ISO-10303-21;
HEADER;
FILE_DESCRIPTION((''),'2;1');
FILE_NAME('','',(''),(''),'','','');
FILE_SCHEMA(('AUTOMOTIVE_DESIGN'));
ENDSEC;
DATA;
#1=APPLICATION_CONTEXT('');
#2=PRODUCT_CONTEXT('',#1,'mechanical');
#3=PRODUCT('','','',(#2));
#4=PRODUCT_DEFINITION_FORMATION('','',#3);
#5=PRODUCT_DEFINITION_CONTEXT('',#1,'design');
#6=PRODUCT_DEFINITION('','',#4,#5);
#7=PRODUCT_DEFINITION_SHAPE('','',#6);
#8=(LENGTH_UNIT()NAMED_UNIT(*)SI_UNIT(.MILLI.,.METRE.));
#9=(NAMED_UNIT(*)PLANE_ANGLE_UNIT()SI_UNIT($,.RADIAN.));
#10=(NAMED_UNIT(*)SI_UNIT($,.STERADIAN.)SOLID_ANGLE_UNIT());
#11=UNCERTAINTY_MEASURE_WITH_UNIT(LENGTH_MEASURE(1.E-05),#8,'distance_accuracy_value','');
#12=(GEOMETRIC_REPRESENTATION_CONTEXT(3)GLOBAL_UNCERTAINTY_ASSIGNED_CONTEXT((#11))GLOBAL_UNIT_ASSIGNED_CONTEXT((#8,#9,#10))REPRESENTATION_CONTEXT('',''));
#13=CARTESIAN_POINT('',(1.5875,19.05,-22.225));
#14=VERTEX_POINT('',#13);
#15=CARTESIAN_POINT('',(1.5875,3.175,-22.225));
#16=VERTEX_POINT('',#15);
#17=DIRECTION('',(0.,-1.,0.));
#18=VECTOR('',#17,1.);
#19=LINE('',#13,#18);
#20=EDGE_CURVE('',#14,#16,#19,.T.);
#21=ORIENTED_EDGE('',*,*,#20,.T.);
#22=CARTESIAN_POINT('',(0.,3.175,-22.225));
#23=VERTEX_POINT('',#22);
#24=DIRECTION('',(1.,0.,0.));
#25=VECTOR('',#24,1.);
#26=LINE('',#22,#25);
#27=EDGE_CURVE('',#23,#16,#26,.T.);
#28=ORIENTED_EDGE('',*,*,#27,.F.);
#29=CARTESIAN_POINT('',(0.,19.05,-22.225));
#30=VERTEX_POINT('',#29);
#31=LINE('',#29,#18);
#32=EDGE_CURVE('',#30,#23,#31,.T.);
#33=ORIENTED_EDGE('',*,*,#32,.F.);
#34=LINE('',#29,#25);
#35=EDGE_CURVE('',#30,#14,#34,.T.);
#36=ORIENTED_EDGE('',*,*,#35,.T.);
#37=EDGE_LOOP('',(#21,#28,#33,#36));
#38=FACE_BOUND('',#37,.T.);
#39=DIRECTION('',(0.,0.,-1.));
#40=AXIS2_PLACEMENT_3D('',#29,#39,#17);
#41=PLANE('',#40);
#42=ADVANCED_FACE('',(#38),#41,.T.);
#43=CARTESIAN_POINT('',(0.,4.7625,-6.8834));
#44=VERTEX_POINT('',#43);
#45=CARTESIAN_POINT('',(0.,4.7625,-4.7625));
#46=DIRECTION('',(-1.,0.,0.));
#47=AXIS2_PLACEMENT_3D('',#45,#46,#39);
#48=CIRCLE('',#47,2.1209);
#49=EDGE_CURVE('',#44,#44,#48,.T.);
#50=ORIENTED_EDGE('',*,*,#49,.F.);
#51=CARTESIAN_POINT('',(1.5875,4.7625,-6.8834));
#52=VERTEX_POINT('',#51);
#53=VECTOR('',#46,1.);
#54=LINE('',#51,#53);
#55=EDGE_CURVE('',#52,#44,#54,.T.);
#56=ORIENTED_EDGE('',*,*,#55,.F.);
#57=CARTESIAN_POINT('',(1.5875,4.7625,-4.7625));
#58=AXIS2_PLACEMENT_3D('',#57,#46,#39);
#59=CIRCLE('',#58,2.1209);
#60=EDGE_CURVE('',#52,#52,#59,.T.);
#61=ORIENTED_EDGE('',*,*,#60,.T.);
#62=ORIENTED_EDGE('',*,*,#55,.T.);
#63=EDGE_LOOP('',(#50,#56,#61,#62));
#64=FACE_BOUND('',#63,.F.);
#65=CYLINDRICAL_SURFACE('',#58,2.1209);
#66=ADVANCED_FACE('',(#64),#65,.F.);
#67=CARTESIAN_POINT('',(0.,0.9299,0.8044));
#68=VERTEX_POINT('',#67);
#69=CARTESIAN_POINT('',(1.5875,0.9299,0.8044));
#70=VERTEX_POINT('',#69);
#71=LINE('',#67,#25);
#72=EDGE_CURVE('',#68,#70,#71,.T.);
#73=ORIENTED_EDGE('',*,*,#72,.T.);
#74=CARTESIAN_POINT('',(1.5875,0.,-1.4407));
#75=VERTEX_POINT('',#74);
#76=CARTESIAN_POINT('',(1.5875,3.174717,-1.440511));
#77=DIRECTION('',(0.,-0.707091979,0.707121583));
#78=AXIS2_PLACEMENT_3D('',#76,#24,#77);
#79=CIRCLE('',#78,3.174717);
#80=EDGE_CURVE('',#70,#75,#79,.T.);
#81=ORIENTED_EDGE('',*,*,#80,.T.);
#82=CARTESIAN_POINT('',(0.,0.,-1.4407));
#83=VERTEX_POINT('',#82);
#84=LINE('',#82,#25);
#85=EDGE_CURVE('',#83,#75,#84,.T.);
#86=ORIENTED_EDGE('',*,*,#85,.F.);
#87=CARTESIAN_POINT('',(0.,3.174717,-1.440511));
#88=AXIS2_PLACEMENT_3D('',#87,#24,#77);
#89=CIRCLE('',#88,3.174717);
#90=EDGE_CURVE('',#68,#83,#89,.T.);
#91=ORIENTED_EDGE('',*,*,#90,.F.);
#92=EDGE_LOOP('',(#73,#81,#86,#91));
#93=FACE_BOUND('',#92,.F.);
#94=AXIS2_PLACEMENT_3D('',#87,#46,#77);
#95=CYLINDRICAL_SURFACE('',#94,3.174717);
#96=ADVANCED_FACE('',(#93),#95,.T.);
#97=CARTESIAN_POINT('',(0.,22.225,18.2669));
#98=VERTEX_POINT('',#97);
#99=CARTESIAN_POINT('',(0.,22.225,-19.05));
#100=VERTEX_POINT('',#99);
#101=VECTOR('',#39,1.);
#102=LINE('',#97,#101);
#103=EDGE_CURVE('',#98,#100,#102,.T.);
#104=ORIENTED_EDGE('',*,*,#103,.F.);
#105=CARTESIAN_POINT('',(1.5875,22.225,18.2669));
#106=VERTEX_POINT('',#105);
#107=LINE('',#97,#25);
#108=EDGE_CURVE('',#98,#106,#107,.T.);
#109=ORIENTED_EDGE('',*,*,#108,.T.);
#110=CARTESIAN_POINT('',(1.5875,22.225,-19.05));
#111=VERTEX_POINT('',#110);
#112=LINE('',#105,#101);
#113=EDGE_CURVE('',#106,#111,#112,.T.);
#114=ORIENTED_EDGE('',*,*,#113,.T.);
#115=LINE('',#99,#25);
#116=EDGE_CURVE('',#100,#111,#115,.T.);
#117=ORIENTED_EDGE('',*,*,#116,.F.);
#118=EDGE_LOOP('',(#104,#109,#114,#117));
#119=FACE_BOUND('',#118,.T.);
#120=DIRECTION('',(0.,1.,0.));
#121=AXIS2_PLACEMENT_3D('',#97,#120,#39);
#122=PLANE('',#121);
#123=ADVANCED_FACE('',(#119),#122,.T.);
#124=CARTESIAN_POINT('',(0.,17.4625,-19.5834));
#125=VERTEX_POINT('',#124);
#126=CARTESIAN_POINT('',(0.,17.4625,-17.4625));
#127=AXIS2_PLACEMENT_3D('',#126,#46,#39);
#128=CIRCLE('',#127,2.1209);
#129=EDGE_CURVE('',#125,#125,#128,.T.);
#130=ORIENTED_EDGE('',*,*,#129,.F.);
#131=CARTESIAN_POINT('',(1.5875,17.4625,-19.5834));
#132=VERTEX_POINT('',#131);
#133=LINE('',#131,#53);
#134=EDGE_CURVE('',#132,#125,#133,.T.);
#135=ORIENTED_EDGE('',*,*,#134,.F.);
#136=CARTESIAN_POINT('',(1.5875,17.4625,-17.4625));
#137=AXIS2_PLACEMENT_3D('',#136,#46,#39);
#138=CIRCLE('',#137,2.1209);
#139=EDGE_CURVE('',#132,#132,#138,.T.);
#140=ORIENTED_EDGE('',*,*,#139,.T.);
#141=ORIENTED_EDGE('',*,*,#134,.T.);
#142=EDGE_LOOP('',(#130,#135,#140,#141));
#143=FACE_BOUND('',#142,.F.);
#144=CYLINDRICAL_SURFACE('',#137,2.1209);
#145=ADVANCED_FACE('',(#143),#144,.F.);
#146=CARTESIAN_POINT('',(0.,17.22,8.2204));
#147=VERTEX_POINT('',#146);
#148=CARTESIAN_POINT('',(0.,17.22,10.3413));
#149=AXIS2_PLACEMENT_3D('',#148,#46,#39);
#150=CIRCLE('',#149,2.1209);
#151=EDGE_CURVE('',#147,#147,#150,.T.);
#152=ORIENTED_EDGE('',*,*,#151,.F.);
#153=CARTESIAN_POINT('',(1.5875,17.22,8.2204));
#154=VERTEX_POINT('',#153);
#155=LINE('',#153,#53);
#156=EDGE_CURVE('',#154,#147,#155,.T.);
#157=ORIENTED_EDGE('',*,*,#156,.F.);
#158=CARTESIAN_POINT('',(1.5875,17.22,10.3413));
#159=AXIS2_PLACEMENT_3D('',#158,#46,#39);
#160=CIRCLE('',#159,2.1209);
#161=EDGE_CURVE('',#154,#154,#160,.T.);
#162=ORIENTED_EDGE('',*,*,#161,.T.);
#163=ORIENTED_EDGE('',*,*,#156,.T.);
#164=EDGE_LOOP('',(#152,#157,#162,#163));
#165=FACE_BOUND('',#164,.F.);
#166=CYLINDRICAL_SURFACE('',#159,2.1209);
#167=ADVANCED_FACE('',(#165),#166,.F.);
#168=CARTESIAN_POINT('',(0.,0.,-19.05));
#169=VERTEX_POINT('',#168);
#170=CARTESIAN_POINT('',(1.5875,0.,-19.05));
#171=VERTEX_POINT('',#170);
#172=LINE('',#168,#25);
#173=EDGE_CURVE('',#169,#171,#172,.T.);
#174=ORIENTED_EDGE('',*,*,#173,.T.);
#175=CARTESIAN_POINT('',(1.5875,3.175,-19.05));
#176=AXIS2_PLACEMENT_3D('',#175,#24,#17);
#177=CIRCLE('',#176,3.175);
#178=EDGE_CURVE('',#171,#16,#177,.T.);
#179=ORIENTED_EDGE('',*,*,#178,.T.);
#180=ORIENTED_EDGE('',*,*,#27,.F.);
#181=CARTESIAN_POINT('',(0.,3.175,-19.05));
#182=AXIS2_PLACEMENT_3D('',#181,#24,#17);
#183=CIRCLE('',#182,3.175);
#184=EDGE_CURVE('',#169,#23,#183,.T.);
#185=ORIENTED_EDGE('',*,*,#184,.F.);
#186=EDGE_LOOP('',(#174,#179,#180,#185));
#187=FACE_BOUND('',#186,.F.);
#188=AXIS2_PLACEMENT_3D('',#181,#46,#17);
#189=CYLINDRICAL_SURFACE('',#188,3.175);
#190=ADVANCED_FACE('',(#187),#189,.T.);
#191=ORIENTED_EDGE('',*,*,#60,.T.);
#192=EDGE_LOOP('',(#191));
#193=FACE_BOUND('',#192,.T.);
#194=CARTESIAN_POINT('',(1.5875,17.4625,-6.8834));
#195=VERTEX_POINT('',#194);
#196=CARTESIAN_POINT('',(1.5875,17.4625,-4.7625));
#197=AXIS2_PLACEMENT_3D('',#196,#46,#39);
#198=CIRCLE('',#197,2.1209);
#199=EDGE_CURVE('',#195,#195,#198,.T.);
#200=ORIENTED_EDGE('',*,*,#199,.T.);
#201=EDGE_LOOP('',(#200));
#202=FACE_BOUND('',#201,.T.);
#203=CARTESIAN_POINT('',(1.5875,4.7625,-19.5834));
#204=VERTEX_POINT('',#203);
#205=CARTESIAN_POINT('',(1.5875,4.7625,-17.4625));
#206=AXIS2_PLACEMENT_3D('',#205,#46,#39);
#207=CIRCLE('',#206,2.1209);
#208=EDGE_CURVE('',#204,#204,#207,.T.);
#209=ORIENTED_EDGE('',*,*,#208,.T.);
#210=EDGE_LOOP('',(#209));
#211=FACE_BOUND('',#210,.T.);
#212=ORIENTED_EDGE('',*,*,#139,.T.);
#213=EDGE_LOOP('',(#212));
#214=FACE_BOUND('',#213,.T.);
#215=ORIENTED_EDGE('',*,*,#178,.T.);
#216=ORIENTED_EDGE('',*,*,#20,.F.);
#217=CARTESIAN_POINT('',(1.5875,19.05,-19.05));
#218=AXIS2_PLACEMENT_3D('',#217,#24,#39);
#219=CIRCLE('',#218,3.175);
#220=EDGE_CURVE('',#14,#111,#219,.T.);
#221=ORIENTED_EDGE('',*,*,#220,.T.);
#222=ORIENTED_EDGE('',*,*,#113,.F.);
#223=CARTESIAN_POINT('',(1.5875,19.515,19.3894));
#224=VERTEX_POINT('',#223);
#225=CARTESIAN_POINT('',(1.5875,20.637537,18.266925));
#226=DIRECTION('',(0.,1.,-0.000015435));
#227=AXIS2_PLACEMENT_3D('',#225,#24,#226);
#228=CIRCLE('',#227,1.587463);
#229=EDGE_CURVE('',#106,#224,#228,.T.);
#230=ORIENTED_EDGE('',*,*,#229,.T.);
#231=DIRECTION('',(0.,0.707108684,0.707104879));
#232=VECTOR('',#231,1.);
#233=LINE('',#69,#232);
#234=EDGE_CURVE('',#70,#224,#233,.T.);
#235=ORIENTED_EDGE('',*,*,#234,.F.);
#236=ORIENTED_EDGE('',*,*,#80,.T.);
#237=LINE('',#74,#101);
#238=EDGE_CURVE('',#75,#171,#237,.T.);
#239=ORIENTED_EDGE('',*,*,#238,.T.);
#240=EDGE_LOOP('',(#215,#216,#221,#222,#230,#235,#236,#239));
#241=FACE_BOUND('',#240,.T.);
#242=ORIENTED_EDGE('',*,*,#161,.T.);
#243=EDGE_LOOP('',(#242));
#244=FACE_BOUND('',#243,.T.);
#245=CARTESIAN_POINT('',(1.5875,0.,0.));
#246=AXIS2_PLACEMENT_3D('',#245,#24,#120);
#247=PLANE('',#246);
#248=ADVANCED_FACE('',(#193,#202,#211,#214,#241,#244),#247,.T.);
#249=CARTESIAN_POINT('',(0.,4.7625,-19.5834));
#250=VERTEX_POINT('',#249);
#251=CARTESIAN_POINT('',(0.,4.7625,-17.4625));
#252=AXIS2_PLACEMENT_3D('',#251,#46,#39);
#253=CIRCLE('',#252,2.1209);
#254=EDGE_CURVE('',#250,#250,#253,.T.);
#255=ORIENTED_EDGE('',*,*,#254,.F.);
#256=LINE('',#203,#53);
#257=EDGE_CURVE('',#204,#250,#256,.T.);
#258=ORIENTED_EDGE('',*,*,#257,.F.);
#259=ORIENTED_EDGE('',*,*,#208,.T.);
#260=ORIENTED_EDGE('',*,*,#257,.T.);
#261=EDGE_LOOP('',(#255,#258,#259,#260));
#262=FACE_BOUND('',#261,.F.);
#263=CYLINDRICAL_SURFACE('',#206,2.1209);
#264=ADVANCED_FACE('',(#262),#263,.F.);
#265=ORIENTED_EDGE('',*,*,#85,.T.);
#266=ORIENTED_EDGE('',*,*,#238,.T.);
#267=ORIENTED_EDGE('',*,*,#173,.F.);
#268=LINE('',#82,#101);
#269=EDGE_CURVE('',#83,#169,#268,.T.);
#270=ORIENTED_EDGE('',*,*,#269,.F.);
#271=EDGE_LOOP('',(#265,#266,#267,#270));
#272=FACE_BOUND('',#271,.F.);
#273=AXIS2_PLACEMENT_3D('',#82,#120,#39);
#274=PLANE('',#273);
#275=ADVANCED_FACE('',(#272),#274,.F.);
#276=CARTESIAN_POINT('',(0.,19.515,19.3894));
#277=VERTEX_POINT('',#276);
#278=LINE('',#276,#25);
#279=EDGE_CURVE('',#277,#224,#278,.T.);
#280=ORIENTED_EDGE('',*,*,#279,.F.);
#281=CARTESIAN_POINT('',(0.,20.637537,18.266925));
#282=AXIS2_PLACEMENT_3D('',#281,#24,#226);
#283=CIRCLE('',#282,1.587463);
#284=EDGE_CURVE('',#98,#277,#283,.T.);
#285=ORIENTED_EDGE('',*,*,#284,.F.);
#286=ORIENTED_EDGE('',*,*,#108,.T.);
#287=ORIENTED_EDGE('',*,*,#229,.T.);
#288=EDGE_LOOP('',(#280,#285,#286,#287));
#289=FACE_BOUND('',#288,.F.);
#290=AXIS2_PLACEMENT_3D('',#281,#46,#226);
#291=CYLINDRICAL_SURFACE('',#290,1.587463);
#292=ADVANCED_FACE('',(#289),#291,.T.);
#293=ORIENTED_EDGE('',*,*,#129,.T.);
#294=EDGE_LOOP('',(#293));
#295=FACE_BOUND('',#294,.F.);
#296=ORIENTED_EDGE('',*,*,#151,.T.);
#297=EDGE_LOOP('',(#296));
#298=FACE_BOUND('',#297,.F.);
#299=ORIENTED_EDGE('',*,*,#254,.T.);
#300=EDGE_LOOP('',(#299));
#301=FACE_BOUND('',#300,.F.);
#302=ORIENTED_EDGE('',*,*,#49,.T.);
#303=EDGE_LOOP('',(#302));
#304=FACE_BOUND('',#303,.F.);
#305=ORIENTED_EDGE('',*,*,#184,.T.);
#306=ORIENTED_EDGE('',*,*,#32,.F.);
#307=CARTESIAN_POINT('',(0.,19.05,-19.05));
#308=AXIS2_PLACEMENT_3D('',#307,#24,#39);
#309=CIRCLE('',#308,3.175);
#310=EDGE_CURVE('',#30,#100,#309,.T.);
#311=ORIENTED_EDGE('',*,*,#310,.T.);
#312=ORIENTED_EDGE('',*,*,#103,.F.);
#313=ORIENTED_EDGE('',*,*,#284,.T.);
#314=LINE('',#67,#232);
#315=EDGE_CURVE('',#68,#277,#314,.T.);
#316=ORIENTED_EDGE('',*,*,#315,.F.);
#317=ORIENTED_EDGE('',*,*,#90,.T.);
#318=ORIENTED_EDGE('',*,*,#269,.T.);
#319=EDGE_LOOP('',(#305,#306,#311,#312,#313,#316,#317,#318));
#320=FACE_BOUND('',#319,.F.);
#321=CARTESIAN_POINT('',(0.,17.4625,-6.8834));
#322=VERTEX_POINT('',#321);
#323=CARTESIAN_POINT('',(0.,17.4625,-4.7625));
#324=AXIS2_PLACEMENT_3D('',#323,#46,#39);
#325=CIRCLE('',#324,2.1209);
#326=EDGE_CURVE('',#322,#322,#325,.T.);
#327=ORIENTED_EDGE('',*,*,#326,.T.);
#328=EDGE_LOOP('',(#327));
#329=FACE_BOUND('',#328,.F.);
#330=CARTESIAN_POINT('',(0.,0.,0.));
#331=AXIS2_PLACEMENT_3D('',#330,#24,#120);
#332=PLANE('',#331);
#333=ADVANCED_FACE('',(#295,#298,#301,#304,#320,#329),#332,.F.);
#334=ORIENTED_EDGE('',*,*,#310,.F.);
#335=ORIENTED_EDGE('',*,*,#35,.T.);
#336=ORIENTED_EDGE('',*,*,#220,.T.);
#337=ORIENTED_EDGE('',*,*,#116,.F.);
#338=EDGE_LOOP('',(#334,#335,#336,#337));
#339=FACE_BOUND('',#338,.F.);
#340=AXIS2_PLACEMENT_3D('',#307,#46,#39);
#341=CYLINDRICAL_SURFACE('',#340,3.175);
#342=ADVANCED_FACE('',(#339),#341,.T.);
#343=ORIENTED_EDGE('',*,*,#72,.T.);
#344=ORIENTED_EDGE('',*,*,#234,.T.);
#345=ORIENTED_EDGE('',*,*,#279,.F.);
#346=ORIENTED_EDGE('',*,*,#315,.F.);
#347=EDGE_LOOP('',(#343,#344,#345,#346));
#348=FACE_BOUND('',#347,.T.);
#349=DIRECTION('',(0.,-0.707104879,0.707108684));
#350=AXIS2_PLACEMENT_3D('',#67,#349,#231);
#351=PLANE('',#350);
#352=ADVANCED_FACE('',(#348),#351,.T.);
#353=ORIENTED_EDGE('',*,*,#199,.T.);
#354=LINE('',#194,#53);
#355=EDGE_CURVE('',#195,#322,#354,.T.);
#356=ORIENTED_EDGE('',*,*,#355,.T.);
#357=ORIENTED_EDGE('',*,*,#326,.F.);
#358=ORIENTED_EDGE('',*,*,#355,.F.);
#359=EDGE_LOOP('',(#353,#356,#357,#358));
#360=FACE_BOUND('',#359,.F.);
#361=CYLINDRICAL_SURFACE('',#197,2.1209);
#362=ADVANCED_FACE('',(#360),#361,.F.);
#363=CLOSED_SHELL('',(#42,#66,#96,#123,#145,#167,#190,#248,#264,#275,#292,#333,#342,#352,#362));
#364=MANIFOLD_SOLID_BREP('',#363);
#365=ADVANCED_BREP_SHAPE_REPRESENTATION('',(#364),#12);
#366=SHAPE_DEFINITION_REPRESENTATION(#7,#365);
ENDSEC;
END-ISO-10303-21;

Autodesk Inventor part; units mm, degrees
ref_plane "YZ Plane" through (0, 0, 0) normal (1, 0, 0) x (0, 1, 0)
ref_plane "XZ Plane" through (0, 0, 0) normal (0, 1, 0) x (-1, 0, 0)
ref_plane "XY Plane" through (0, 0, 0) normal (0, 0, 1) x (1, 0, 0)
sketch "Sketch1" plane through (0, 0, 0) normal (1, 0, 0) x (0, 1, 0)
  arc A0 (0, -19.05) -> (3.175, -22.225) centre (3.175, -19.05) ccw
  arc A1 (19.05, -22.225) -> (22.225, -19.05) centre (19.05, -19.05) ccw
  line L0 (0, -1.4407) -> (0, -19.05)
  line L1 (0.9299, 0.8044) -> (19.515, 19.3894)
  line L2 (22.225, 18.2669) -> (22.225, -19.05)
  line L3 (19.05, -22.225) -> (3.175, -22.225)
  arc A2 (22.225, 18.2669) -> (19.515, 19.3894) centre (20.6375, 18.2669) ccw
  arc A3 (0.9299, 0.8044) -> (0, -1.4407) centre (3.175, -1.4407) ccw
  point P0 (0, -22.225)
  point P1 (22.225, -22.225)
  dimension "d1" = 22.225
  dimension "d6" = 3.175
  dimension "d46" = 1.5875
  dimension "d47" = 3.175
extrude "Extrusion1" add sketch "Sketch1" along normal blind 1.5875
sketch "Sketch2" plane through (1.5875, 0, 0) normal (1, 0, 0) x (0, 0, -1)
  line L0 (22.225, 3.175) -> (22.225, 19.05) projected
  line L1 (0, 11.1125) -> (4.7625, 11.1125)
  line L2 (4.7625, 11.1125) -> (17.4625, 11.1125)
  line L3 (17.4625, 11.1125) -> (22.225, 11.1125)
  line L4 (4.7625, 11.1125) -> (4.7625, 17.4625)
  line L5 (17.4625, 17.4625) -> (17.4625, 4.7625)
  line L6 (4.7625, 4.7625) -> (4.7625, 11.1125)
  line L7 (4.7625, 17.4625) -> (-17.3369, 17.4625)
  line L8 (-19.3894, 19.515) -> (-0.8044, 0.9299) projected
  line L9 (-17.3369, 17.4625) -> (-13.9604, 20.8391)
  line L10 (-17.3369, 17.4625) -> (-12.5617, 17.4625) construction
  line L11 (-13.9604, 20.8391) -> (-6.7223, 13.601)
  line L12 (-13.9604, 20.8391) -> (-3.7242, 20.8391) construction
  point P0 (0, 0)
  point P1 (-10.3413, 17.22)
  dimension "d13" = 4.7625
  dimension "d14" = 12.7
  dimension "d15" = 6.35
  dimension "d16" = 12.7
  dimension "d49" = 4.7752
  dimension "d50" = 45
  dimension "d51" = 10.2362
  dimension "d52" = 45
hole "Hole1" at (1.5875, 17.4625, -4.7625) at (1.5875, 4.7625, -4.7625) at (1.5875, 17.22, 10.3413) at (1.5875, 17.4625, -17.4625) at (1.5875, 4.7625, -17.4625) direction (-1, 0, 0) diameter 4.2418 end through all
sketch "Sketch3" plane through (1.5875, 0, 0) normal (1, 0, 0) x (0, 0, -1)
  line L0 (1.4407, 0) -> (19.05, 0) projected
  line L1 (12.4554, 0) -> (12.4554, 22.225)
  line L2 (19.05, 22.225) -> (-18.2669, 22.225) projected
  point P0 (0, 0)
split "Split1" [suppressed]
properties part number "sled" material "Polycarbonate, Smoke"
